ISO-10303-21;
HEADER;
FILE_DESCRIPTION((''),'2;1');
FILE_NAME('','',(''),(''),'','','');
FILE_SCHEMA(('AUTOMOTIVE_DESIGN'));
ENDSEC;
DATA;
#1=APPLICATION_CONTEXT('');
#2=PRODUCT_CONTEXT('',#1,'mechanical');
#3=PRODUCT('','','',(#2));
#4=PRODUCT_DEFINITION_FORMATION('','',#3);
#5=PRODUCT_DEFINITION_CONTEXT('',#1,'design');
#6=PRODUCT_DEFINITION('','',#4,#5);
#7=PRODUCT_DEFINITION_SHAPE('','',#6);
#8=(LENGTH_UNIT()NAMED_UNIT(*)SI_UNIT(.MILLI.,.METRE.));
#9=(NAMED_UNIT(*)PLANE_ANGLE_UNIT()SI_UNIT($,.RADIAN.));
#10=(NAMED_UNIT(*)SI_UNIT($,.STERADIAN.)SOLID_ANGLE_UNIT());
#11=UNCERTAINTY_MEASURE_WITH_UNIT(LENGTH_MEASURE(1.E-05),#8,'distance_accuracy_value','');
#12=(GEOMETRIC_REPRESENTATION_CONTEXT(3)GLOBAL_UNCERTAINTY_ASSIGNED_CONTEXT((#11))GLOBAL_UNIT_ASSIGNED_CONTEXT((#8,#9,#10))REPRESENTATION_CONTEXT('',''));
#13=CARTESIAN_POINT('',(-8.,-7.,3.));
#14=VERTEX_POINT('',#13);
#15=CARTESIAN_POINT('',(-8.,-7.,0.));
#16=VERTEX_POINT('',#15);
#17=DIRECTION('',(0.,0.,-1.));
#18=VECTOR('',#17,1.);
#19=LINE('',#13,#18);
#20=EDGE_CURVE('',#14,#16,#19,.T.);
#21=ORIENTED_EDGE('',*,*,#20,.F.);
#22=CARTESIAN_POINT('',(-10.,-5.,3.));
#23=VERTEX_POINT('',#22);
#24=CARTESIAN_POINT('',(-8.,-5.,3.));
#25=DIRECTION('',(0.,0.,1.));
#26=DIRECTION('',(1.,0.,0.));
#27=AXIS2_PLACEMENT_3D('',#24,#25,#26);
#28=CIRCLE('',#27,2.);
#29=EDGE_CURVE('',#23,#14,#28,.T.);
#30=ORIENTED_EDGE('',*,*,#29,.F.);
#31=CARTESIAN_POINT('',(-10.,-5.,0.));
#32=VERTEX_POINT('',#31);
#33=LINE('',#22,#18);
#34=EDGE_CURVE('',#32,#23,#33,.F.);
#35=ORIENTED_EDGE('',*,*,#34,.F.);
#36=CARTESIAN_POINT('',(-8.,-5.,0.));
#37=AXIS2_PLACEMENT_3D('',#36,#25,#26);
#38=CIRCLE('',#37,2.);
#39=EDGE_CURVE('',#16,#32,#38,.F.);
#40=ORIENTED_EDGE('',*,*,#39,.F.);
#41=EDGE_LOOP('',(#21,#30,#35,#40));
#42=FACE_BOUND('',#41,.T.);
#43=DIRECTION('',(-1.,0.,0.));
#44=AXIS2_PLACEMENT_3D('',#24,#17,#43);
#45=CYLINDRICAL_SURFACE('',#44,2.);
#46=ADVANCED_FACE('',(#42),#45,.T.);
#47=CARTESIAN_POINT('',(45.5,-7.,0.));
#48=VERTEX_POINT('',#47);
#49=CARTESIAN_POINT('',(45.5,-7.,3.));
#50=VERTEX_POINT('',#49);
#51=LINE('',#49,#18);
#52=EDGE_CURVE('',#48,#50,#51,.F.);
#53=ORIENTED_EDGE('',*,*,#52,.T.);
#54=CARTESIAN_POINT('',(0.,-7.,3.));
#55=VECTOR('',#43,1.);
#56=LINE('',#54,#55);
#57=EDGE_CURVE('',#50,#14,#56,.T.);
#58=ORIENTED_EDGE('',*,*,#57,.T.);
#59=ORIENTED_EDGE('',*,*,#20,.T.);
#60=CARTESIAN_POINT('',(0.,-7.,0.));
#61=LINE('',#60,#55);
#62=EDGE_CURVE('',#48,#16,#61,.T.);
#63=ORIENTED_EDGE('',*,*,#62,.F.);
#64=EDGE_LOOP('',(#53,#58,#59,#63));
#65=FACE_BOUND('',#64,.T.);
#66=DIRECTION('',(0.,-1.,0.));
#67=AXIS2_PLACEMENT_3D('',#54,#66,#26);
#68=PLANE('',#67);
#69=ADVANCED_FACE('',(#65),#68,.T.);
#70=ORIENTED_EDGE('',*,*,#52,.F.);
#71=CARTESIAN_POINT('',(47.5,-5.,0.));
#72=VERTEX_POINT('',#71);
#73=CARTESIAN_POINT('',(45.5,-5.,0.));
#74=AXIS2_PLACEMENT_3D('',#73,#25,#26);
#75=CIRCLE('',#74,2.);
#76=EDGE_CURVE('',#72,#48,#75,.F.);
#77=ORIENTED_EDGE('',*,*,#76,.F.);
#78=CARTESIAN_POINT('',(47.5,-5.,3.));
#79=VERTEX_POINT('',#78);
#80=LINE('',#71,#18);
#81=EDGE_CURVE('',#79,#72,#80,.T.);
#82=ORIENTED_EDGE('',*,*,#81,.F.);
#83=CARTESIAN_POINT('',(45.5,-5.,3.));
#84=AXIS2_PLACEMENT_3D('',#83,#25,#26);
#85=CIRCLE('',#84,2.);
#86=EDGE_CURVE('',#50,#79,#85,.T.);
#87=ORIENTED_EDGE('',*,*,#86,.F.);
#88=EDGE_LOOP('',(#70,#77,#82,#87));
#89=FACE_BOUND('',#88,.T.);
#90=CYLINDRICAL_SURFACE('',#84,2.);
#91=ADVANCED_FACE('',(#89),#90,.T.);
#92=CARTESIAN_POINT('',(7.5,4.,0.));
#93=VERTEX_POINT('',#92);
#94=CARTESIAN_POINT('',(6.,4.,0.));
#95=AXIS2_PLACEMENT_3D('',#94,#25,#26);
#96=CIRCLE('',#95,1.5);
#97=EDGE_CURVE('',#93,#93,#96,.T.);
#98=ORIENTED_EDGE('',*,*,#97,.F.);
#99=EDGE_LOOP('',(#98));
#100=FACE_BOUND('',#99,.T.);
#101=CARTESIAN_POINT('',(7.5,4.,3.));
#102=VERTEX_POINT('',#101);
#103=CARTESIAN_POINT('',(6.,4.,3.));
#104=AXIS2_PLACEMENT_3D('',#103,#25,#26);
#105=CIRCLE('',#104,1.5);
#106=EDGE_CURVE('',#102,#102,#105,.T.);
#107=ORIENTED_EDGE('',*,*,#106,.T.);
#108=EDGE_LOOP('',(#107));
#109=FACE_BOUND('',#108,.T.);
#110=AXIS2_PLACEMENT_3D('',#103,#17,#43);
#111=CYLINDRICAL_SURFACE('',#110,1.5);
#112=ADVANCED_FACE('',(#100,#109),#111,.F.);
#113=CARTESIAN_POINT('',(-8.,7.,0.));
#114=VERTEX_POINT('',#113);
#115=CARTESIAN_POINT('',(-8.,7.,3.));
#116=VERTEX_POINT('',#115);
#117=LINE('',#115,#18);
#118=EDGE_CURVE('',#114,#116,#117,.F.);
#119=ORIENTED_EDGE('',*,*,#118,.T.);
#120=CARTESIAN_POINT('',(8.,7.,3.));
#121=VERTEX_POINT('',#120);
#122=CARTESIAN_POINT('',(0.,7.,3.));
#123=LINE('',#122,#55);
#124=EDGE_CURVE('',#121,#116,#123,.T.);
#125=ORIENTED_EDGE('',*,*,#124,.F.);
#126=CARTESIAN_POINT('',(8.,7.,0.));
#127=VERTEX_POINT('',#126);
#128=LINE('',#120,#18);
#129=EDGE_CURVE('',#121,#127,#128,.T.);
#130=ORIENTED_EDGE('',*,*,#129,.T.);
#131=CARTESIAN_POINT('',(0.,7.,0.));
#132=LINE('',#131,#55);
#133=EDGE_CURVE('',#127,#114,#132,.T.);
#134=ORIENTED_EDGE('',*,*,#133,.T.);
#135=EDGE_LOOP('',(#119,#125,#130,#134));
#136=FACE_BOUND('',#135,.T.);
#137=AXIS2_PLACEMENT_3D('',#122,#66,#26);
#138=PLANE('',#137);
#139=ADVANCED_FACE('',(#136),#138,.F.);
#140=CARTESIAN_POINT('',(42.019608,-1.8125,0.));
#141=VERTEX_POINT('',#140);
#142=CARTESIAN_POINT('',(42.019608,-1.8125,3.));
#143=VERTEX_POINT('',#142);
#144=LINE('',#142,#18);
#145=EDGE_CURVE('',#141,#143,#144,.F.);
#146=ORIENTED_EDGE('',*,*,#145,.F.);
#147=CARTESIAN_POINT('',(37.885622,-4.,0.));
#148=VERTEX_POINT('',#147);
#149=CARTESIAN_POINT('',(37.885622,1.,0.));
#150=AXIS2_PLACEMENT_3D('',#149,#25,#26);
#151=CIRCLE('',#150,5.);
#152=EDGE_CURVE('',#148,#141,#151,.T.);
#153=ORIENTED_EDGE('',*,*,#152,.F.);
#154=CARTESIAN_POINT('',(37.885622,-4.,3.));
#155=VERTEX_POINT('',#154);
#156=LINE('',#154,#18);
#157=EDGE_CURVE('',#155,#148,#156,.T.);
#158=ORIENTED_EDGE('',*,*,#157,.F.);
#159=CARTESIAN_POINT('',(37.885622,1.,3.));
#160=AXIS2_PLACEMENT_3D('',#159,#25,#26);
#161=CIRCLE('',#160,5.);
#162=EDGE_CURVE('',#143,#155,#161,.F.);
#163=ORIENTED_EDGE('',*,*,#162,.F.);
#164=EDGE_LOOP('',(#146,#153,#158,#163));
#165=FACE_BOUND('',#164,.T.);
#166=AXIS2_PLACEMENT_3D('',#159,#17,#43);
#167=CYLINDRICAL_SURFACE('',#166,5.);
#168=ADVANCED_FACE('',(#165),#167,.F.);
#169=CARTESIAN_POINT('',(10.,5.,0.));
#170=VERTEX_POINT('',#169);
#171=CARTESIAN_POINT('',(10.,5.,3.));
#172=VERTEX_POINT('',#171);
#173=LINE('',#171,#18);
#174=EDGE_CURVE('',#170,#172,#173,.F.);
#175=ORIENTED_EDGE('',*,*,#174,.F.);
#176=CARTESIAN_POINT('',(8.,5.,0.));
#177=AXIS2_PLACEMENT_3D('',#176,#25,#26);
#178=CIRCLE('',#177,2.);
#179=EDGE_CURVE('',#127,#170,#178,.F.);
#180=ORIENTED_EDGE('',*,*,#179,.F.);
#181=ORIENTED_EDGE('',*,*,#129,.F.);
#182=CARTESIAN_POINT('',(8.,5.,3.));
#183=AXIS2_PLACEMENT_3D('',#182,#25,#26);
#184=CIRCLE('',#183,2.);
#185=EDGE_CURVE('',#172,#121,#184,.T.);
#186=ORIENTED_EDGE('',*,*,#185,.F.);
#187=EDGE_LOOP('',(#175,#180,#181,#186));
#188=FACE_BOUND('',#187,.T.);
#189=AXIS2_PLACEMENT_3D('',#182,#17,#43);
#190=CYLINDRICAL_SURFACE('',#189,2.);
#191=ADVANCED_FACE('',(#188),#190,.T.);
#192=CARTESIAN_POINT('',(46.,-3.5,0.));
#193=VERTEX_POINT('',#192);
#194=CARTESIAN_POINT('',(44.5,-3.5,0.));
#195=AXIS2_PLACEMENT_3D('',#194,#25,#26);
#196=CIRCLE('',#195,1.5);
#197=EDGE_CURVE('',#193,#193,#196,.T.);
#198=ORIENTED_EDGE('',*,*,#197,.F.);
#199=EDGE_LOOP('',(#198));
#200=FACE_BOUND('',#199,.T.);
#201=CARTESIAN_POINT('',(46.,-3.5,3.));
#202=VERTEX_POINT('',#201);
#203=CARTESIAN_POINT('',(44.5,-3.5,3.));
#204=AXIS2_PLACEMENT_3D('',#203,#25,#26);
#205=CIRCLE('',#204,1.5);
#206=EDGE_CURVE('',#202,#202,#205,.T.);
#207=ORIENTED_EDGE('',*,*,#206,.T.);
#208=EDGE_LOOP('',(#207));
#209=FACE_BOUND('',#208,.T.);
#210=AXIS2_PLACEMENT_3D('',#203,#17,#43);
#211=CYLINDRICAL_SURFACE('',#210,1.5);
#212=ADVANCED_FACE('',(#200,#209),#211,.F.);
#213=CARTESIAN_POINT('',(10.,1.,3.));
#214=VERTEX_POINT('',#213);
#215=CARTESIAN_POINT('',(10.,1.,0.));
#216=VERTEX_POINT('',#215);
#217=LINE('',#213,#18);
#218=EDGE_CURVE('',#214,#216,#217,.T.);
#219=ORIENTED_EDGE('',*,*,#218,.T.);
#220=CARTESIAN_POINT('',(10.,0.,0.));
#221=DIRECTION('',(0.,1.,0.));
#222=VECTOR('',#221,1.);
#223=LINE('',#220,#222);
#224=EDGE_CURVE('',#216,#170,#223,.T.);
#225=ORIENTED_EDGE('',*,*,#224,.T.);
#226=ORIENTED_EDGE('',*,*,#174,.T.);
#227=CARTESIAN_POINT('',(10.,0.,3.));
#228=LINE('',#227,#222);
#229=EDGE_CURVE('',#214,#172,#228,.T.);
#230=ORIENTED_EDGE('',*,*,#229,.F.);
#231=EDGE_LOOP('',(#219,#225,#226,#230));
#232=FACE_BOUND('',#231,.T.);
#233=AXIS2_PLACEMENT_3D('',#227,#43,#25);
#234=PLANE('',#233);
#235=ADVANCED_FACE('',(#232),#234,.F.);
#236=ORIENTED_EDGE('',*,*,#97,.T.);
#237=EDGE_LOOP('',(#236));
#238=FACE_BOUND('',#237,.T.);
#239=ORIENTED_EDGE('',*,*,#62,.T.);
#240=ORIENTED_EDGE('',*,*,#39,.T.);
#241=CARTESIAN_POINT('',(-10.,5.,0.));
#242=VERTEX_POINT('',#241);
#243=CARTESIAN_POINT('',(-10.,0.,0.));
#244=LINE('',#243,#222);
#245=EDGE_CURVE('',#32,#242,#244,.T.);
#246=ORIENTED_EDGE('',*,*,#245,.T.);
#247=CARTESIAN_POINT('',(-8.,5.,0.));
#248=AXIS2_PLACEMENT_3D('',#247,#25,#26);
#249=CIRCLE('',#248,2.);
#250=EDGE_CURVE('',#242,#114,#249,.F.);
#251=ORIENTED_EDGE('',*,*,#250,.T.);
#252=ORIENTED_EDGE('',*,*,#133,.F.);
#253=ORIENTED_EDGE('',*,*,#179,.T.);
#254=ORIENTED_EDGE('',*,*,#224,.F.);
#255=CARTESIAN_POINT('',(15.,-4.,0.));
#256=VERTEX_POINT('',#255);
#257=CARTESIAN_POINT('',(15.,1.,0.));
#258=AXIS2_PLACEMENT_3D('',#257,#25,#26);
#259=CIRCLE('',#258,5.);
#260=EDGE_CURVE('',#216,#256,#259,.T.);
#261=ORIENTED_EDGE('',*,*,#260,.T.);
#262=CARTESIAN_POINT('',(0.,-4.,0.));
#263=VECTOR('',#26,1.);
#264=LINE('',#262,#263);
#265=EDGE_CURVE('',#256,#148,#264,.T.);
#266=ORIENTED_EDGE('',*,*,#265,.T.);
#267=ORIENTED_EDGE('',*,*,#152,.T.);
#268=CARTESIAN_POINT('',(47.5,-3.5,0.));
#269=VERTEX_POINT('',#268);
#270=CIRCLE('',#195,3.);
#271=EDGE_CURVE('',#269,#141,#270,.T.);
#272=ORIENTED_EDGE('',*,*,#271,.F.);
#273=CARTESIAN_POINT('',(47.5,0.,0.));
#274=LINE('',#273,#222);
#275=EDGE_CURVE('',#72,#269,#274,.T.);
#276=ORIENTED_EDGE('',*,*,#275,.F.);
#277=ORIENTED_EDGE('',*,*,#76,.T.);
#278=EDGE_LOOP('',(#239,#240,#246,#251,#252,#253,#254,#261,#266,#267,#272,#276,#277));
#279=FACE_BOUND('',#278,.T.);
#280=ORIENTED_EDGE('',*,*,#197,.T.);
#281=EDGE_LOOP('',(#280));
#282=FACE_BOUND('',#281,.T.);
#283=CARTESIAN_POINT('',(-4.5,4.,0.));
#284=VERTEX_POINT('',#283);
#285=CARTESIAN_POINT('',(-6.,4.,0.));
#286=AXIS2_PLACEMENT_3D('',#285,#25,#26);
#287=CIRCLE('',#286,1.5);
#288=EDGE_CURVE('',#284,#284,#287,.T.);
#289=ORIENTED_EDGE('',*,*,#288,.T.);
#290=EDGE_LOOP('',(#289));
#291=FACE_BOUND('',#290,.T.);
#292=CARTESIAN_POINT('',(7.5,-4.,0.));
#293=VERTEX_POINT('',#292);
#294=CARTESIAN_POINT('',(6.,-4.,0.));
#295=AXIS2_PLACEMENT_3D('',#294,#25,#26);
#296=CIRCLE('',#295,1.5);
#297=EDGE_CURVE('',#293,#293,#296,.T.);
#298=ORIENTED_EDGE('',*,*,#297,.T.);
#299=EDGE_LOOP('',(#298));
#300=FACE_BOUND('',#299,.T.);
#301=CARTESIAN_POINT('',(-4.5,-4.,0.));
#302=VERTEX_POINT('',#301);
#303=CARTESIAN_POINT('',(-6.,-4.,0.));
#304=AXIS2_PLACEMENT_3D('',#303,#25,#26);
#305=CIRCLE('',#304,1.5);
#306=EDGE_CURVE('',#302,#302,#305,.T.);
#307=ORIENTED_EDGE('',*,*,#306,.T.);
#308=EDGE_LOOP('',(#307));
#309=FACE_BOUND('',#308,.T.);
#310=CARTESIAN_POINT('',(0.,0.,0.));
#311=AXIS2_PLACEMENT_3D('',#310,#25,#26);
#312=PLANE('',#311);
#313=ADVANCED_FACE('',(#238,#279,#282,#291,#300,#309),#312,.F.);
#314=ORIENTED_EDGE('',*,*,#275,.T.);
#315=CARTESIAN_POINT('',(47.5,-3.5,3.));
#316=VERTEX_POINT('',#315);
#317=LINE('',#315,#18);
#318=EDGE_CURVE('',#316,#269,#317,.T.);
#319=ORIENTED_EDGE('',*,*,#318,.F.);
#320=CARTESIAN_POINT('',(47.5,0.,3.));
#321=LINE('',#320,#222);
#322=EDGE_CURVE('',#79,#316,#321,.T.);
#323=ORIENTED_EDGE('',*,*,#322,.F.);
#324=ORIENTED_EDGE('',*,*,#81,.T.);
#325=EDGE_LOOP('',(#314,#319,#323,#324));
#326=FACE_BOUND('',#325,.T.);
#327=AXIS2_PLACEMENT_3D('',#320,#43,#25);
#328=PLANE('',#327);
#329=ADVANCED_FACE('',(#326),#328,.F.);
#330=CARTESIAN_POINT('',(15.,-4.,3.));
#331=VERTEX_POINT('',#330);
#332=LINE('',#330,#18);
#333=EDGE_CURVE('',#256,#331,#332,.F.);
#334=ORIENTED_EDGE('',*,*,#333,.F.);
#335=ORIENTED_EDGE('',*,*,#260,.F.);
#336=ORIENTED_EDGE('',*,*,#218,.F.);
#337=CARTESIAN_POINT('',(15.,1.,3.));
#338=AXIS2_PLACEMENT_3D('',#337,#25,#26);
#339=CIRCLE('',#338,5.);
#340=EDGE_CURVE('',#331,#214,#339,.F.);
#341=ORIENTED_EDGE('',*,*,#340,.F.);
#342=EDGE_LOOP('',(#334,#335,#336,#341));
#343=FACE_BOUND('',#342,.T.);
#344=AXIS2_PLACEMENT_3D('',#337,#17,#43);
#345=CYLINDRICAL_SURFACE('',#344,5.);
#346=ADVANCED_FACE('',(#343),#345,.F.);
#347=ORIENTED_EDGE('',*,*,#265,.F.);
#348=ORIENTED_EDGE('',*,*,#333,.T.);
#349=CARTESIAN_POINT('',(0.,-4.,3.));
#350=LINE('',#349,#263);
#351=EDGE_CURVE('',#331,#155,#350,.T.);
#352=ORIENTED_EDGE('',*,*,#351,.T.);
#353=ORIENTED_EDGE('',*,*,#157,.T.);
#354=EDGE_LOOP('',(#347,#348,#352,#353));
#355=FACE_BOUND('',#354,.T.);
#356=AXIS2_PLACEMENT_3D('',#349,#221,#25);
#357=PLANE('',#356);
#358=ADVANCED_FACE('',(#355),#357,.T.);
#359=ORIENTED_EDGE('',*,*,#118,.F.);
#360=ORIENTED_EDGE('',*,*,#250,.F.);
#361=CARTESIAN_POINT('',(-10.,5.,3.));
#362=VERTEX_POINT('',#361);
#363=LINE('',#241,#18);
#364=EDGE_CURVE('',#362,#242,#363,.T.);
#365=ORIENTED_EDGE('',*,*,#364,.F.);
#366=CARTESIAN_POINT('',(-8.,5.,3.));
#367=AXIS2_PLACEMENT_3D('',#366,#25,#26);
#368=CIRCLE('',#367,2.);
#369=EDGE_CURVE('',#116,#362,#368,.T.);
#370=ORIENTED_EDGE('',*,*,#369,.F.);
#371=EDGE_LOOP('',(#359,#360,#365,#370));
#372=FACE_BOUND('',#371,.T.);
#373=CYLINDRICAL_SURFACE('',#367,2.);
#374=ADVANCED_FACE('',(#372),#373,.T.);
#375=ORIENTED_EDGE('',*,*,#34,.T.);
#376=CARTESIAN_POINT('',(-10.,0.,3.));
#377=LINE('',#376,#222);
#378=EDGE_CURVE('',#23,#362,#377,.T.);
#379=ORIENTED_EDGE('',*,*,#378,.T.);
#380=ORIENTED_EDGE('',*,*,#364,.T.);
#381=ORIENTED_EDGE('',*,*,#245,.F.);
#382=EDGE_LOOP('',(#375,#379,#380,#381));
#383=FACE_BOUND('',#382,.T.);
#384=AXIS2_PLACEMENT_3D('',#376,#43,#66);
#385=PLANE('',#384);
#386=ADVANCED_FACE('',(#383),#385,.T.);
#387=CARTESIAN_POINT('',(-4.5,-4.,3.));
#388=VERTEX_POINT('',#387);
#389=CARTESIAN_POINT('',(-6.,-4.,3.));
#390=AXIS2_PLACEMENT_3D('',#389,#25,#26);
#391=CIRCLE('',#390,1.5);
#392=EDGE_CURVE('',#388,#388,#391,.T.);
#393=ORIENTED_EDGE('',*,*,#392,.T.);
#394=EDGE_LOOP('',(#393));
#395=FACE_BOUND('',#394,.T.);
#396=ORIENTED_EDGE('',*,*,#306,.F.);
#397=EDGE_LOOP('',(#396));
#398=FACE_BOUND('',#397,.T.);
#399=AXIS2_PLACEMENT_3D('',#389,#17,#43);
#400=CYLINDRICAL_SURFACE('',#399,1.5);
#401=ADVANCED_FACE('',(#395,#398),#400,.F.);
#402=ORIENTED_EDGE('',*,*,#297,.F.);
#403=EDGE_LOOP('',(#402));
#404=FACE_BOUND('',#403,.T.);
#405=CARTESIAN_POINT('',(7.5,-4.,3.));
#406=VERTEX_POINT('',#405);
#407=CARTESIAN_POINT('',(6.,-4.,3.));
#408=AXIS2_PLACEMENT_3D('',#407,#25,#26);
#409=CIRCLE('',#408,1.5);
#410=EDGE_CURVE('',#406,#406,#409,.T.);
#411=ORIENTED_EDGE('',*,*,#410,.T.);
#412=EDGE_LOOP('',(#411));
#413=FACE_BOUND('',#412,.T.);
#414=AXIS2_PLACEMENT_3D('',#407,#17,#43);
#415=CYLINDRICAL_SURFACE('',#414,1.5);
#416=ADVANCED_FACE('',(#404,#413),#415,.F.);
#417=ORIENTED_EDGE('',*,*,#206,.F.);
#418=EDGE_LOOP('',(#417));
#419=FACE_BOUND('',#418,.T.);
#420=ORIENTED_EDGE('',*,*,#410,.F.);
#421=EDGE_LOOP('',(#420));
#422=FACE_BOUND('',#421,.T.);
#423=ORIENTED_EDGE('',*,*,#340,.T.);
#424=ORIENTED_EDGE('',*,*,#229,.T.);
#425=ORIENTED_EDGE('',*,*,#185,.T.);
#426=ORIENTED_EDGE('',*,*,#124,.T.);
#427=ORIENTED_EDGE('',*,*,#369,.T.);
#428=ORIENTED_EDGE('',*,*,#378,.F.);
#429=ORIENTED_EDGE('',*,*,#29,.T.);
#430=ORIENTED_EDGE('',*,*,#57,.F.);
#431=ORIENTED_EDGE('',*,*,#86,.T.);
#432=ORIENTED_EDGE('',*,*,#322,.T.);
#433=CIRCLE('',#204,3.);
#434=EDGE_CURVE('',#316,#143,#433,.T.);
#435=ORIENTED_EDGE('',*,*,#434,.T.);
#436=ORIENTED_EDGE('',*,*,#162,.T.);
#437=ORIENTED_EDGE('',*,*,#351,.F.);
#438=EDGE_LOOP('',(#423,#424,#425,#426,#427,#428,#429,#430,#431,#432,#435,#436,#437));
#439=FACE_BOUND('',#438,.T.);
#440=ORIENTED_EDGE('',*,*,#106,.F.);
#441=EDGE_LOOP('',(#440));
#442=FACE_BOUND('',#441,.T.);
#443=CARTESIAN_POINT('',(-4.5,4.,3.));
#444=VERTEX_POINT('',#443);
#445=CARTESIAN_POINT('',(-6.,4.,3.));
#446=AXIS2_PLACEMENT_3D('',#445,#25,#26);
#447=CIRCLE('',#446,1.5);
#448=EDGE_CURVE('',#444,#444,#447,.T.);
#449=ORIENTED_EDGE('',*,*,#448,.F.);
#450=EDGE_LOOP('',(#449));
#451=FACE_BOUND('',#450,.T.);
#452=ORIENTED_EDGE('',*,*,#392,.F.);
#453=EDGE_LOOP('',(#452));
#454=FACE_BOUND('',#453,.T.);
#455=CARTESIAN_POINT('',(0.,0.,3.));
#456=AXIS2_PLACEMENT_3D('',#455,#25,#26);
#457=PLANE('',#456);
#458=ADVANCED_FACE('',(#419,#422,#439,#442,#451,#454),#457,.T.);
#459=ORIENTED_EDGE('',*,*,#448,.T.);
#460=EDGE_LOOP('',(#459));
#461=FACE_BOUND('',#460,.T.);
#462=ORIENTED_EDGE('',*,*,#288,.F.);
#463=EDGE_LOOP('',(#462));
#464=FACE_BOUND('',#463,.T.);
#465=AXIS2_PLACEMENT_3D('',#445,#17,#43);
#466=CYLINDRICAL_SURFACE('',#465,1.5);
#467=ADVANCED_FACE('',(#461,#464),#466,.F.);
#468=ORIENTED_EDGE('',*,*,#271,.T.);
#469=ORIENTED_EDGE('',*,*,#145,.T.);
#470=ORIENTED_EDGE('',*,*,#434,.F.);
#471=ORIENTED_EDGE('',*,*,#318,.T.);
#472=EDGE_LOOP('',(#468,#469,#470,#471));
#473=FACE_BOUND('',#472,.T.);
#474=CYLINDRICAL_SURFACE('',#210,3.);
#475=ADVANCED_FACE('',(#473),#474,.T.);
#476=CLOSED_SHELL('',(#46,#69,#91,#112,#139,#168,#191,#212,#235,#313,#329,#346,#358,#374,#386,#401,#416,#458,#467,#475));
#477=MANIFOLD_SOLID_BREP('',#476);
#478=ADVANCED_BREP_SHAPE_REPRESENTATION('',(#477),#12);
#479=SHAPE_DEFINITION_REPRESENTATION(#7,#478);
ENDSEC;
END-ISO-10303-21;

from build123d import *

# Parameters (mm, degrees)
SZKIC1_W                    = 20
SZKIC1_H                    = 14
SZKIC1_R                    = 1.5
DODANIE_WYCI_GNI_CIE1_DEPTH = 3
ZAOKR_GLENIE5_R             = 2
ZAOKR_GLENIE6_R             = 5


with BuildPart() as part:
    # Szkic1 → Dodanie-wyciągnięcie1 (new body)
    # profile 1 of 2: a face of its own
    with BuildSketch(Plane.XY):
        Rectangle(SZKIC1_W, SZKIC1_H)
        with Locations((-6, -4)):
            Circle(SZKIC1_R, mode=Mode.SUBTRACT)
        with Locations((6, -4)):
            Circle(SZKIC1_R, mode=Mode.SUBTRACT)
        with Locations((6, 4)):
            Circle(SZKIC1_R, mode=Mode.SUBTRACT)
        with Locations((-6, 4)):
            Circle(SZKIC1_R, mode=Mode.SUBTRACT)
    # profile 2 of 2: a face of its own
    with BuildSketch(Plane.XY):
        with BuildLine():
            Line((10, -4), (10, -7))
            Line((10, -7), (47.5, -7))
            Line((47.5, -7), (47.5, -3.5))
            ThreePointArc((47.5, -3.5), (44.249121219, -0.510508432), (41.541960108, -4))
            Line((41.541960108, -4), (10, -4))
        make_face()
        with Locations((44.5, -3.5)):
            Circle(SZKIC1_R, mode=Mode.SUBTRACT)
    extrude(amount=DODANIE_WYCI_GNI_CIE1_DEPTH)

    # Zaokrąglenie5
    zaokr_glenie5_edges = [part.edges().sort_by_distance(p)[0] for p in [
        (-10, 7, 1.5),
        (10, 7, 1.5),
        (47.5, -7, 1.5),
        (-10, -7, 1.5),
    ]]
    fillet(zaokr_glenie5_edges, radius=ZAOKR_GLENIE5_R)

    # Zaokrąglenie6
    zaokr_glenie6_edges = [part.edges().sort_by_distance(p)[0] for p in [
        (10, -4, 1.5),
        (41.541960108, -4, 1.5),
    ]]
    fillet(zaokr_glenie6_edges, radius=ZAOKR_GLENIE6_R)


solid = part.part
